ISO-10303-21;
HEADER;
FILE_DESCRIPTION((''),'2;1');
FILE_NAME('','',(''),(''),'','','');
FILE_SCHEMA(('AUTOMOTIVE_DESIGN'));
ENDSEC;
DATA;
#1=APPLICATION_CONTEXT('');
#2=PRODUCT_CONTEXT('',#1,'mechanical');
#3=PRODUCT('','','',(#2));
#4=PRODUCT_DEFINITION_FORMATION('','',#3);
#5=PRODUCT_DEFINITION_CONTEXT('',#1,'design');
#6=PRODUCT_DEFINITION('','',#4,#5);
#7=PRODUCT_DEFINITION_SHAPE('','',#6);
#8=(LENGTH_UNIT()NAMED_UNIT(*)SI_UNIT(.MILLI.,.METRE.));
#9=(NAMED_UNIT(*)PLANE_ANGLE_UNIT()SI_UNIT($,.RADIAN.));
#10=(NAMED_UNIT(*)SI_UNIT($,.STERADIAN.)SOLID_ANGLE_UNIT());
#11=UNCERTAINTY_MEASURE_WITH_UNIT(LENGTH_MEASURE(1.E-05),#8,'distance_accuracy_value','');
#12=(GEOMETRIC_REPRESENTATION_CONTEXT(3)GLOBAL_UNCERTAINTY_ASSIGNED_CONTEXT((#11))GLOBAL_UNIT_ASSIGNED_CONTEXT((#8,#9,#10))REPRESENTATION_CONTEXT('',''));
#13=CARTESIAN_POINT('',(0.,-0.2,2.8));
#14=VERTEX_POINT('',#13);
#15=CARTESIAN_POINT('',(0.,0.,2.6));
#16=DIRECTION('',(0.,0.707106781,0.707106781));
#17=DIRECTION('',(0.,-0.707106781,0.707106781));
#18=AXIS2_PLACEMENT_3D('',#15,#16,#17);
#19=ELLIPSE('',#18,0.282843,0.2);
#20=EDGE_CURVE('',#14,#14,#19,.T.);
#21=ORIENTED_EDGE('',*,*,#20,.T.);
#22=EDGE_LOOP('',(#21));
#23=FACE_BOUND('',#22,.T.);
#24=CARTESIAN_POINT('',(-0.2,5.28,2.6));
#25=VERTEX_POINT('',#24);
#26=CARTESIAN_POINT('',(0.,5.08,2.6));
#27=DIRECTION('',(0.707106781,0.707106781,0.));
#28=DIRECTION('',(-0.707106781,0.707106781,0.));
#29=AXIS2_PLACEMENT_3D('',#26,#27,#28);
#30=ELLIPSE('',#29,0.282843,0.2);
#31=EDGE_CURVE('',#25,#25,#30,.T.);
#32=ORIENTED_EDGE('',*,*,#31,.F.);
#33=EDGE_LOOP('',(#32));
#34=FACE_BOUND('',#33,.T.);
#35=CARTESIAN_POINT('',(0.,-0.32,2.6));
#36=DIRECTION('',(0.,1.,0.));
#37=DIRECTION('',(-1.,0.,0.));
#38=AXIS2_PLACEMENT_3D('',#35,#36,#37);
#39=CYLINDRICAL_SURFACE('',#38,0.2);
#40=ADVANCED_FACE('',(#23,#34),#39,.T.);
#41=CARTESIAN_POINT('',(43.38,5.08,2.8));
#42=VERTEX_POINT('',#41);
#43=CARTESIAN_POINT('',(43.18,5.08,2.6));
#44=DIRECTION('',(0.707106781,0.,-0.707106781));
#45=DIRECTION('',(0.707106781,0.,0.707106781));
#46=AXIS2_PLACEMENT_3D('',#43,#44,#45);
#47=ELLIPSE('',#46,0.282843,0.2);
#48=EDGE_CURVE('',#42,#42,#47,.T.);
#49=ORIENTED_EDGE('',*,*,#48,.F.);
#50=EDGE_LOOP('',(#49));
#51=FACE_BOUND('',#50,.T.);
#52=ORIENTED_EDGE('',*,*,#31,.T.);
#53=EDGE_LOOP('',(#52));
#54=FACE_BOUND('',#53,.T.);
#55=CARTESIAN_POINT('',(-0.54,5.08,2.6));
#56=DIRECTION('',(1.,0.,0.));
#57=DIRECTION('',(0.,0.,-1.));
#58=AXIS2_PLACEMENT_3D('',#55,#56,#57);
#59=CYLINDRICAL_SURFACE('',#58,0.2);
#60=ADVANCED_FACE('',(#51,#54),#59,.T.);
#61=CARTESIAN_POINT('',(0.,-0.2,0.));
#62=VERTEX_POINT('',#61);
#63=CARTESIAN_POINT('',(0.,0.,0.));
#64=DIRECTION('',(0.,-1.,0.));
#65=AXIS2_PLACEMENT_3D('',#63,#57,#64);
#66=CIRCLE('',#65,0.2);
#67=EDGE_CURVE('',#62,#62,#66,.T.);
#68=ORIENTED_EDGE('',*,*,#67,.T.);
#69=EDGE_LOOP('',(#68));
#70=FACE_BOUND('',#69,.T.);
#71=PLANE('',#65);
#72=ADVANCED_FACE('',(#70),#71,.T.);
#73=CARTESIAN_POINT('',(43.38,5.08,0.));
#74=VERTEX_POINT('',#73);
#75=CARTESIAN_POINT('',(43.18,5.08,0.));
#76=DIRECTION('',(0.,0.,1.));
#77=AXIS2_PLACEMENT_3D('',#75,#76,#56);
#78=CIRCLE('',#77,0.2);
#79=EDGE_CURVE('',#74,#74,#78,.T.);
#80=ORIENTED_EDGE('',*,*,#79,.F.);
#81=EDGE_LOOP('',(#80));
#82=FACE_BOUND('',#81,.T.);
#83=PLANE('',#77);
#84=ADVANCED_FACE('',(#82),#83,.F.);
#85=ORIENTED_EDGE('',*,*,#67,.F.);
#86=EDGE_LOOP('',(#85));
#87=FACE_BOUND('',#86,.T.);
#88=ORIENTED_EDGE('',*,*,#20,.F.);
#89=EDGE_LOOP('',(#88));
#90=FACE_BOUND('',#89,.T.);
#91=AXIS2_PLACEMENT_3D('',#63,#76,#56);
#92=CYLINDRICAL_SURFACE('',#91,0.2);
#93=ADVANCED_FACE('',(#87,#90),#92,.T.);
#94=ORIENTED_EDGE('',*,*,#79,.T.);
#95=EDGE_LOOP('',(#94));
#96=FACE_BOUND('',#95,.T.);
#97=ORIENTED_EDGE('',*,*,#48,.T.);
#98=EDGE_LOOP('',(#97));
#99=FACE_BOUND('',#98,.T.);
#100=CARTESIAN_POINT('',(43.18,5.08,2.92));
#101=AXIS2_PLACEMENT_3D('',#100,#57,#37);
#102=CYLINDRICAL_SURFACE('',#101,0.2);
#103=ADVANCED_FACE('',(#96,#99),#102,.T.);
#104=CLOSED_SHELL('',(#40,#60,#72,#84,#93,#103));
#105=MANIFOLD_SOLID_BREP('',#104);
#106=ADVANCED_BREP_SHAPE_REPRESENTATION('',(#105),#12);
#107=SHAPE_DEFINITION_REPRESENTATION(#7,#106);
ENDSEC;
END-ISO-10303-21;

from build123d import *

# Parameters (mm, degrees)
SWEEP1_PROFILE_R = 0.2


with BuildPart() as part:
    # Sweep1: sweep along a curve in space
    with BuildLine() as sweep1_path:
        Line((0, 0, 0), (0, 0, 2.6))
        Line((0, 0, 2.6), (0, 5.08, 2.6))
        Line((0, 5.08, 2.6), (43.18, 5.08, 2.6))
        Line((43.18, 5.08, 2.6), (43.18, 5.08, 0))
    # Sweep1 profile (on start of the path) → Sweep1 (sweep)
    with BuildSketch(Plane.XY):
        Circle(SWEEP1_PROFILE_R)
    sweep(path=sweep1_path.line, transition=Transition.RIGHT)


solid = part.part
